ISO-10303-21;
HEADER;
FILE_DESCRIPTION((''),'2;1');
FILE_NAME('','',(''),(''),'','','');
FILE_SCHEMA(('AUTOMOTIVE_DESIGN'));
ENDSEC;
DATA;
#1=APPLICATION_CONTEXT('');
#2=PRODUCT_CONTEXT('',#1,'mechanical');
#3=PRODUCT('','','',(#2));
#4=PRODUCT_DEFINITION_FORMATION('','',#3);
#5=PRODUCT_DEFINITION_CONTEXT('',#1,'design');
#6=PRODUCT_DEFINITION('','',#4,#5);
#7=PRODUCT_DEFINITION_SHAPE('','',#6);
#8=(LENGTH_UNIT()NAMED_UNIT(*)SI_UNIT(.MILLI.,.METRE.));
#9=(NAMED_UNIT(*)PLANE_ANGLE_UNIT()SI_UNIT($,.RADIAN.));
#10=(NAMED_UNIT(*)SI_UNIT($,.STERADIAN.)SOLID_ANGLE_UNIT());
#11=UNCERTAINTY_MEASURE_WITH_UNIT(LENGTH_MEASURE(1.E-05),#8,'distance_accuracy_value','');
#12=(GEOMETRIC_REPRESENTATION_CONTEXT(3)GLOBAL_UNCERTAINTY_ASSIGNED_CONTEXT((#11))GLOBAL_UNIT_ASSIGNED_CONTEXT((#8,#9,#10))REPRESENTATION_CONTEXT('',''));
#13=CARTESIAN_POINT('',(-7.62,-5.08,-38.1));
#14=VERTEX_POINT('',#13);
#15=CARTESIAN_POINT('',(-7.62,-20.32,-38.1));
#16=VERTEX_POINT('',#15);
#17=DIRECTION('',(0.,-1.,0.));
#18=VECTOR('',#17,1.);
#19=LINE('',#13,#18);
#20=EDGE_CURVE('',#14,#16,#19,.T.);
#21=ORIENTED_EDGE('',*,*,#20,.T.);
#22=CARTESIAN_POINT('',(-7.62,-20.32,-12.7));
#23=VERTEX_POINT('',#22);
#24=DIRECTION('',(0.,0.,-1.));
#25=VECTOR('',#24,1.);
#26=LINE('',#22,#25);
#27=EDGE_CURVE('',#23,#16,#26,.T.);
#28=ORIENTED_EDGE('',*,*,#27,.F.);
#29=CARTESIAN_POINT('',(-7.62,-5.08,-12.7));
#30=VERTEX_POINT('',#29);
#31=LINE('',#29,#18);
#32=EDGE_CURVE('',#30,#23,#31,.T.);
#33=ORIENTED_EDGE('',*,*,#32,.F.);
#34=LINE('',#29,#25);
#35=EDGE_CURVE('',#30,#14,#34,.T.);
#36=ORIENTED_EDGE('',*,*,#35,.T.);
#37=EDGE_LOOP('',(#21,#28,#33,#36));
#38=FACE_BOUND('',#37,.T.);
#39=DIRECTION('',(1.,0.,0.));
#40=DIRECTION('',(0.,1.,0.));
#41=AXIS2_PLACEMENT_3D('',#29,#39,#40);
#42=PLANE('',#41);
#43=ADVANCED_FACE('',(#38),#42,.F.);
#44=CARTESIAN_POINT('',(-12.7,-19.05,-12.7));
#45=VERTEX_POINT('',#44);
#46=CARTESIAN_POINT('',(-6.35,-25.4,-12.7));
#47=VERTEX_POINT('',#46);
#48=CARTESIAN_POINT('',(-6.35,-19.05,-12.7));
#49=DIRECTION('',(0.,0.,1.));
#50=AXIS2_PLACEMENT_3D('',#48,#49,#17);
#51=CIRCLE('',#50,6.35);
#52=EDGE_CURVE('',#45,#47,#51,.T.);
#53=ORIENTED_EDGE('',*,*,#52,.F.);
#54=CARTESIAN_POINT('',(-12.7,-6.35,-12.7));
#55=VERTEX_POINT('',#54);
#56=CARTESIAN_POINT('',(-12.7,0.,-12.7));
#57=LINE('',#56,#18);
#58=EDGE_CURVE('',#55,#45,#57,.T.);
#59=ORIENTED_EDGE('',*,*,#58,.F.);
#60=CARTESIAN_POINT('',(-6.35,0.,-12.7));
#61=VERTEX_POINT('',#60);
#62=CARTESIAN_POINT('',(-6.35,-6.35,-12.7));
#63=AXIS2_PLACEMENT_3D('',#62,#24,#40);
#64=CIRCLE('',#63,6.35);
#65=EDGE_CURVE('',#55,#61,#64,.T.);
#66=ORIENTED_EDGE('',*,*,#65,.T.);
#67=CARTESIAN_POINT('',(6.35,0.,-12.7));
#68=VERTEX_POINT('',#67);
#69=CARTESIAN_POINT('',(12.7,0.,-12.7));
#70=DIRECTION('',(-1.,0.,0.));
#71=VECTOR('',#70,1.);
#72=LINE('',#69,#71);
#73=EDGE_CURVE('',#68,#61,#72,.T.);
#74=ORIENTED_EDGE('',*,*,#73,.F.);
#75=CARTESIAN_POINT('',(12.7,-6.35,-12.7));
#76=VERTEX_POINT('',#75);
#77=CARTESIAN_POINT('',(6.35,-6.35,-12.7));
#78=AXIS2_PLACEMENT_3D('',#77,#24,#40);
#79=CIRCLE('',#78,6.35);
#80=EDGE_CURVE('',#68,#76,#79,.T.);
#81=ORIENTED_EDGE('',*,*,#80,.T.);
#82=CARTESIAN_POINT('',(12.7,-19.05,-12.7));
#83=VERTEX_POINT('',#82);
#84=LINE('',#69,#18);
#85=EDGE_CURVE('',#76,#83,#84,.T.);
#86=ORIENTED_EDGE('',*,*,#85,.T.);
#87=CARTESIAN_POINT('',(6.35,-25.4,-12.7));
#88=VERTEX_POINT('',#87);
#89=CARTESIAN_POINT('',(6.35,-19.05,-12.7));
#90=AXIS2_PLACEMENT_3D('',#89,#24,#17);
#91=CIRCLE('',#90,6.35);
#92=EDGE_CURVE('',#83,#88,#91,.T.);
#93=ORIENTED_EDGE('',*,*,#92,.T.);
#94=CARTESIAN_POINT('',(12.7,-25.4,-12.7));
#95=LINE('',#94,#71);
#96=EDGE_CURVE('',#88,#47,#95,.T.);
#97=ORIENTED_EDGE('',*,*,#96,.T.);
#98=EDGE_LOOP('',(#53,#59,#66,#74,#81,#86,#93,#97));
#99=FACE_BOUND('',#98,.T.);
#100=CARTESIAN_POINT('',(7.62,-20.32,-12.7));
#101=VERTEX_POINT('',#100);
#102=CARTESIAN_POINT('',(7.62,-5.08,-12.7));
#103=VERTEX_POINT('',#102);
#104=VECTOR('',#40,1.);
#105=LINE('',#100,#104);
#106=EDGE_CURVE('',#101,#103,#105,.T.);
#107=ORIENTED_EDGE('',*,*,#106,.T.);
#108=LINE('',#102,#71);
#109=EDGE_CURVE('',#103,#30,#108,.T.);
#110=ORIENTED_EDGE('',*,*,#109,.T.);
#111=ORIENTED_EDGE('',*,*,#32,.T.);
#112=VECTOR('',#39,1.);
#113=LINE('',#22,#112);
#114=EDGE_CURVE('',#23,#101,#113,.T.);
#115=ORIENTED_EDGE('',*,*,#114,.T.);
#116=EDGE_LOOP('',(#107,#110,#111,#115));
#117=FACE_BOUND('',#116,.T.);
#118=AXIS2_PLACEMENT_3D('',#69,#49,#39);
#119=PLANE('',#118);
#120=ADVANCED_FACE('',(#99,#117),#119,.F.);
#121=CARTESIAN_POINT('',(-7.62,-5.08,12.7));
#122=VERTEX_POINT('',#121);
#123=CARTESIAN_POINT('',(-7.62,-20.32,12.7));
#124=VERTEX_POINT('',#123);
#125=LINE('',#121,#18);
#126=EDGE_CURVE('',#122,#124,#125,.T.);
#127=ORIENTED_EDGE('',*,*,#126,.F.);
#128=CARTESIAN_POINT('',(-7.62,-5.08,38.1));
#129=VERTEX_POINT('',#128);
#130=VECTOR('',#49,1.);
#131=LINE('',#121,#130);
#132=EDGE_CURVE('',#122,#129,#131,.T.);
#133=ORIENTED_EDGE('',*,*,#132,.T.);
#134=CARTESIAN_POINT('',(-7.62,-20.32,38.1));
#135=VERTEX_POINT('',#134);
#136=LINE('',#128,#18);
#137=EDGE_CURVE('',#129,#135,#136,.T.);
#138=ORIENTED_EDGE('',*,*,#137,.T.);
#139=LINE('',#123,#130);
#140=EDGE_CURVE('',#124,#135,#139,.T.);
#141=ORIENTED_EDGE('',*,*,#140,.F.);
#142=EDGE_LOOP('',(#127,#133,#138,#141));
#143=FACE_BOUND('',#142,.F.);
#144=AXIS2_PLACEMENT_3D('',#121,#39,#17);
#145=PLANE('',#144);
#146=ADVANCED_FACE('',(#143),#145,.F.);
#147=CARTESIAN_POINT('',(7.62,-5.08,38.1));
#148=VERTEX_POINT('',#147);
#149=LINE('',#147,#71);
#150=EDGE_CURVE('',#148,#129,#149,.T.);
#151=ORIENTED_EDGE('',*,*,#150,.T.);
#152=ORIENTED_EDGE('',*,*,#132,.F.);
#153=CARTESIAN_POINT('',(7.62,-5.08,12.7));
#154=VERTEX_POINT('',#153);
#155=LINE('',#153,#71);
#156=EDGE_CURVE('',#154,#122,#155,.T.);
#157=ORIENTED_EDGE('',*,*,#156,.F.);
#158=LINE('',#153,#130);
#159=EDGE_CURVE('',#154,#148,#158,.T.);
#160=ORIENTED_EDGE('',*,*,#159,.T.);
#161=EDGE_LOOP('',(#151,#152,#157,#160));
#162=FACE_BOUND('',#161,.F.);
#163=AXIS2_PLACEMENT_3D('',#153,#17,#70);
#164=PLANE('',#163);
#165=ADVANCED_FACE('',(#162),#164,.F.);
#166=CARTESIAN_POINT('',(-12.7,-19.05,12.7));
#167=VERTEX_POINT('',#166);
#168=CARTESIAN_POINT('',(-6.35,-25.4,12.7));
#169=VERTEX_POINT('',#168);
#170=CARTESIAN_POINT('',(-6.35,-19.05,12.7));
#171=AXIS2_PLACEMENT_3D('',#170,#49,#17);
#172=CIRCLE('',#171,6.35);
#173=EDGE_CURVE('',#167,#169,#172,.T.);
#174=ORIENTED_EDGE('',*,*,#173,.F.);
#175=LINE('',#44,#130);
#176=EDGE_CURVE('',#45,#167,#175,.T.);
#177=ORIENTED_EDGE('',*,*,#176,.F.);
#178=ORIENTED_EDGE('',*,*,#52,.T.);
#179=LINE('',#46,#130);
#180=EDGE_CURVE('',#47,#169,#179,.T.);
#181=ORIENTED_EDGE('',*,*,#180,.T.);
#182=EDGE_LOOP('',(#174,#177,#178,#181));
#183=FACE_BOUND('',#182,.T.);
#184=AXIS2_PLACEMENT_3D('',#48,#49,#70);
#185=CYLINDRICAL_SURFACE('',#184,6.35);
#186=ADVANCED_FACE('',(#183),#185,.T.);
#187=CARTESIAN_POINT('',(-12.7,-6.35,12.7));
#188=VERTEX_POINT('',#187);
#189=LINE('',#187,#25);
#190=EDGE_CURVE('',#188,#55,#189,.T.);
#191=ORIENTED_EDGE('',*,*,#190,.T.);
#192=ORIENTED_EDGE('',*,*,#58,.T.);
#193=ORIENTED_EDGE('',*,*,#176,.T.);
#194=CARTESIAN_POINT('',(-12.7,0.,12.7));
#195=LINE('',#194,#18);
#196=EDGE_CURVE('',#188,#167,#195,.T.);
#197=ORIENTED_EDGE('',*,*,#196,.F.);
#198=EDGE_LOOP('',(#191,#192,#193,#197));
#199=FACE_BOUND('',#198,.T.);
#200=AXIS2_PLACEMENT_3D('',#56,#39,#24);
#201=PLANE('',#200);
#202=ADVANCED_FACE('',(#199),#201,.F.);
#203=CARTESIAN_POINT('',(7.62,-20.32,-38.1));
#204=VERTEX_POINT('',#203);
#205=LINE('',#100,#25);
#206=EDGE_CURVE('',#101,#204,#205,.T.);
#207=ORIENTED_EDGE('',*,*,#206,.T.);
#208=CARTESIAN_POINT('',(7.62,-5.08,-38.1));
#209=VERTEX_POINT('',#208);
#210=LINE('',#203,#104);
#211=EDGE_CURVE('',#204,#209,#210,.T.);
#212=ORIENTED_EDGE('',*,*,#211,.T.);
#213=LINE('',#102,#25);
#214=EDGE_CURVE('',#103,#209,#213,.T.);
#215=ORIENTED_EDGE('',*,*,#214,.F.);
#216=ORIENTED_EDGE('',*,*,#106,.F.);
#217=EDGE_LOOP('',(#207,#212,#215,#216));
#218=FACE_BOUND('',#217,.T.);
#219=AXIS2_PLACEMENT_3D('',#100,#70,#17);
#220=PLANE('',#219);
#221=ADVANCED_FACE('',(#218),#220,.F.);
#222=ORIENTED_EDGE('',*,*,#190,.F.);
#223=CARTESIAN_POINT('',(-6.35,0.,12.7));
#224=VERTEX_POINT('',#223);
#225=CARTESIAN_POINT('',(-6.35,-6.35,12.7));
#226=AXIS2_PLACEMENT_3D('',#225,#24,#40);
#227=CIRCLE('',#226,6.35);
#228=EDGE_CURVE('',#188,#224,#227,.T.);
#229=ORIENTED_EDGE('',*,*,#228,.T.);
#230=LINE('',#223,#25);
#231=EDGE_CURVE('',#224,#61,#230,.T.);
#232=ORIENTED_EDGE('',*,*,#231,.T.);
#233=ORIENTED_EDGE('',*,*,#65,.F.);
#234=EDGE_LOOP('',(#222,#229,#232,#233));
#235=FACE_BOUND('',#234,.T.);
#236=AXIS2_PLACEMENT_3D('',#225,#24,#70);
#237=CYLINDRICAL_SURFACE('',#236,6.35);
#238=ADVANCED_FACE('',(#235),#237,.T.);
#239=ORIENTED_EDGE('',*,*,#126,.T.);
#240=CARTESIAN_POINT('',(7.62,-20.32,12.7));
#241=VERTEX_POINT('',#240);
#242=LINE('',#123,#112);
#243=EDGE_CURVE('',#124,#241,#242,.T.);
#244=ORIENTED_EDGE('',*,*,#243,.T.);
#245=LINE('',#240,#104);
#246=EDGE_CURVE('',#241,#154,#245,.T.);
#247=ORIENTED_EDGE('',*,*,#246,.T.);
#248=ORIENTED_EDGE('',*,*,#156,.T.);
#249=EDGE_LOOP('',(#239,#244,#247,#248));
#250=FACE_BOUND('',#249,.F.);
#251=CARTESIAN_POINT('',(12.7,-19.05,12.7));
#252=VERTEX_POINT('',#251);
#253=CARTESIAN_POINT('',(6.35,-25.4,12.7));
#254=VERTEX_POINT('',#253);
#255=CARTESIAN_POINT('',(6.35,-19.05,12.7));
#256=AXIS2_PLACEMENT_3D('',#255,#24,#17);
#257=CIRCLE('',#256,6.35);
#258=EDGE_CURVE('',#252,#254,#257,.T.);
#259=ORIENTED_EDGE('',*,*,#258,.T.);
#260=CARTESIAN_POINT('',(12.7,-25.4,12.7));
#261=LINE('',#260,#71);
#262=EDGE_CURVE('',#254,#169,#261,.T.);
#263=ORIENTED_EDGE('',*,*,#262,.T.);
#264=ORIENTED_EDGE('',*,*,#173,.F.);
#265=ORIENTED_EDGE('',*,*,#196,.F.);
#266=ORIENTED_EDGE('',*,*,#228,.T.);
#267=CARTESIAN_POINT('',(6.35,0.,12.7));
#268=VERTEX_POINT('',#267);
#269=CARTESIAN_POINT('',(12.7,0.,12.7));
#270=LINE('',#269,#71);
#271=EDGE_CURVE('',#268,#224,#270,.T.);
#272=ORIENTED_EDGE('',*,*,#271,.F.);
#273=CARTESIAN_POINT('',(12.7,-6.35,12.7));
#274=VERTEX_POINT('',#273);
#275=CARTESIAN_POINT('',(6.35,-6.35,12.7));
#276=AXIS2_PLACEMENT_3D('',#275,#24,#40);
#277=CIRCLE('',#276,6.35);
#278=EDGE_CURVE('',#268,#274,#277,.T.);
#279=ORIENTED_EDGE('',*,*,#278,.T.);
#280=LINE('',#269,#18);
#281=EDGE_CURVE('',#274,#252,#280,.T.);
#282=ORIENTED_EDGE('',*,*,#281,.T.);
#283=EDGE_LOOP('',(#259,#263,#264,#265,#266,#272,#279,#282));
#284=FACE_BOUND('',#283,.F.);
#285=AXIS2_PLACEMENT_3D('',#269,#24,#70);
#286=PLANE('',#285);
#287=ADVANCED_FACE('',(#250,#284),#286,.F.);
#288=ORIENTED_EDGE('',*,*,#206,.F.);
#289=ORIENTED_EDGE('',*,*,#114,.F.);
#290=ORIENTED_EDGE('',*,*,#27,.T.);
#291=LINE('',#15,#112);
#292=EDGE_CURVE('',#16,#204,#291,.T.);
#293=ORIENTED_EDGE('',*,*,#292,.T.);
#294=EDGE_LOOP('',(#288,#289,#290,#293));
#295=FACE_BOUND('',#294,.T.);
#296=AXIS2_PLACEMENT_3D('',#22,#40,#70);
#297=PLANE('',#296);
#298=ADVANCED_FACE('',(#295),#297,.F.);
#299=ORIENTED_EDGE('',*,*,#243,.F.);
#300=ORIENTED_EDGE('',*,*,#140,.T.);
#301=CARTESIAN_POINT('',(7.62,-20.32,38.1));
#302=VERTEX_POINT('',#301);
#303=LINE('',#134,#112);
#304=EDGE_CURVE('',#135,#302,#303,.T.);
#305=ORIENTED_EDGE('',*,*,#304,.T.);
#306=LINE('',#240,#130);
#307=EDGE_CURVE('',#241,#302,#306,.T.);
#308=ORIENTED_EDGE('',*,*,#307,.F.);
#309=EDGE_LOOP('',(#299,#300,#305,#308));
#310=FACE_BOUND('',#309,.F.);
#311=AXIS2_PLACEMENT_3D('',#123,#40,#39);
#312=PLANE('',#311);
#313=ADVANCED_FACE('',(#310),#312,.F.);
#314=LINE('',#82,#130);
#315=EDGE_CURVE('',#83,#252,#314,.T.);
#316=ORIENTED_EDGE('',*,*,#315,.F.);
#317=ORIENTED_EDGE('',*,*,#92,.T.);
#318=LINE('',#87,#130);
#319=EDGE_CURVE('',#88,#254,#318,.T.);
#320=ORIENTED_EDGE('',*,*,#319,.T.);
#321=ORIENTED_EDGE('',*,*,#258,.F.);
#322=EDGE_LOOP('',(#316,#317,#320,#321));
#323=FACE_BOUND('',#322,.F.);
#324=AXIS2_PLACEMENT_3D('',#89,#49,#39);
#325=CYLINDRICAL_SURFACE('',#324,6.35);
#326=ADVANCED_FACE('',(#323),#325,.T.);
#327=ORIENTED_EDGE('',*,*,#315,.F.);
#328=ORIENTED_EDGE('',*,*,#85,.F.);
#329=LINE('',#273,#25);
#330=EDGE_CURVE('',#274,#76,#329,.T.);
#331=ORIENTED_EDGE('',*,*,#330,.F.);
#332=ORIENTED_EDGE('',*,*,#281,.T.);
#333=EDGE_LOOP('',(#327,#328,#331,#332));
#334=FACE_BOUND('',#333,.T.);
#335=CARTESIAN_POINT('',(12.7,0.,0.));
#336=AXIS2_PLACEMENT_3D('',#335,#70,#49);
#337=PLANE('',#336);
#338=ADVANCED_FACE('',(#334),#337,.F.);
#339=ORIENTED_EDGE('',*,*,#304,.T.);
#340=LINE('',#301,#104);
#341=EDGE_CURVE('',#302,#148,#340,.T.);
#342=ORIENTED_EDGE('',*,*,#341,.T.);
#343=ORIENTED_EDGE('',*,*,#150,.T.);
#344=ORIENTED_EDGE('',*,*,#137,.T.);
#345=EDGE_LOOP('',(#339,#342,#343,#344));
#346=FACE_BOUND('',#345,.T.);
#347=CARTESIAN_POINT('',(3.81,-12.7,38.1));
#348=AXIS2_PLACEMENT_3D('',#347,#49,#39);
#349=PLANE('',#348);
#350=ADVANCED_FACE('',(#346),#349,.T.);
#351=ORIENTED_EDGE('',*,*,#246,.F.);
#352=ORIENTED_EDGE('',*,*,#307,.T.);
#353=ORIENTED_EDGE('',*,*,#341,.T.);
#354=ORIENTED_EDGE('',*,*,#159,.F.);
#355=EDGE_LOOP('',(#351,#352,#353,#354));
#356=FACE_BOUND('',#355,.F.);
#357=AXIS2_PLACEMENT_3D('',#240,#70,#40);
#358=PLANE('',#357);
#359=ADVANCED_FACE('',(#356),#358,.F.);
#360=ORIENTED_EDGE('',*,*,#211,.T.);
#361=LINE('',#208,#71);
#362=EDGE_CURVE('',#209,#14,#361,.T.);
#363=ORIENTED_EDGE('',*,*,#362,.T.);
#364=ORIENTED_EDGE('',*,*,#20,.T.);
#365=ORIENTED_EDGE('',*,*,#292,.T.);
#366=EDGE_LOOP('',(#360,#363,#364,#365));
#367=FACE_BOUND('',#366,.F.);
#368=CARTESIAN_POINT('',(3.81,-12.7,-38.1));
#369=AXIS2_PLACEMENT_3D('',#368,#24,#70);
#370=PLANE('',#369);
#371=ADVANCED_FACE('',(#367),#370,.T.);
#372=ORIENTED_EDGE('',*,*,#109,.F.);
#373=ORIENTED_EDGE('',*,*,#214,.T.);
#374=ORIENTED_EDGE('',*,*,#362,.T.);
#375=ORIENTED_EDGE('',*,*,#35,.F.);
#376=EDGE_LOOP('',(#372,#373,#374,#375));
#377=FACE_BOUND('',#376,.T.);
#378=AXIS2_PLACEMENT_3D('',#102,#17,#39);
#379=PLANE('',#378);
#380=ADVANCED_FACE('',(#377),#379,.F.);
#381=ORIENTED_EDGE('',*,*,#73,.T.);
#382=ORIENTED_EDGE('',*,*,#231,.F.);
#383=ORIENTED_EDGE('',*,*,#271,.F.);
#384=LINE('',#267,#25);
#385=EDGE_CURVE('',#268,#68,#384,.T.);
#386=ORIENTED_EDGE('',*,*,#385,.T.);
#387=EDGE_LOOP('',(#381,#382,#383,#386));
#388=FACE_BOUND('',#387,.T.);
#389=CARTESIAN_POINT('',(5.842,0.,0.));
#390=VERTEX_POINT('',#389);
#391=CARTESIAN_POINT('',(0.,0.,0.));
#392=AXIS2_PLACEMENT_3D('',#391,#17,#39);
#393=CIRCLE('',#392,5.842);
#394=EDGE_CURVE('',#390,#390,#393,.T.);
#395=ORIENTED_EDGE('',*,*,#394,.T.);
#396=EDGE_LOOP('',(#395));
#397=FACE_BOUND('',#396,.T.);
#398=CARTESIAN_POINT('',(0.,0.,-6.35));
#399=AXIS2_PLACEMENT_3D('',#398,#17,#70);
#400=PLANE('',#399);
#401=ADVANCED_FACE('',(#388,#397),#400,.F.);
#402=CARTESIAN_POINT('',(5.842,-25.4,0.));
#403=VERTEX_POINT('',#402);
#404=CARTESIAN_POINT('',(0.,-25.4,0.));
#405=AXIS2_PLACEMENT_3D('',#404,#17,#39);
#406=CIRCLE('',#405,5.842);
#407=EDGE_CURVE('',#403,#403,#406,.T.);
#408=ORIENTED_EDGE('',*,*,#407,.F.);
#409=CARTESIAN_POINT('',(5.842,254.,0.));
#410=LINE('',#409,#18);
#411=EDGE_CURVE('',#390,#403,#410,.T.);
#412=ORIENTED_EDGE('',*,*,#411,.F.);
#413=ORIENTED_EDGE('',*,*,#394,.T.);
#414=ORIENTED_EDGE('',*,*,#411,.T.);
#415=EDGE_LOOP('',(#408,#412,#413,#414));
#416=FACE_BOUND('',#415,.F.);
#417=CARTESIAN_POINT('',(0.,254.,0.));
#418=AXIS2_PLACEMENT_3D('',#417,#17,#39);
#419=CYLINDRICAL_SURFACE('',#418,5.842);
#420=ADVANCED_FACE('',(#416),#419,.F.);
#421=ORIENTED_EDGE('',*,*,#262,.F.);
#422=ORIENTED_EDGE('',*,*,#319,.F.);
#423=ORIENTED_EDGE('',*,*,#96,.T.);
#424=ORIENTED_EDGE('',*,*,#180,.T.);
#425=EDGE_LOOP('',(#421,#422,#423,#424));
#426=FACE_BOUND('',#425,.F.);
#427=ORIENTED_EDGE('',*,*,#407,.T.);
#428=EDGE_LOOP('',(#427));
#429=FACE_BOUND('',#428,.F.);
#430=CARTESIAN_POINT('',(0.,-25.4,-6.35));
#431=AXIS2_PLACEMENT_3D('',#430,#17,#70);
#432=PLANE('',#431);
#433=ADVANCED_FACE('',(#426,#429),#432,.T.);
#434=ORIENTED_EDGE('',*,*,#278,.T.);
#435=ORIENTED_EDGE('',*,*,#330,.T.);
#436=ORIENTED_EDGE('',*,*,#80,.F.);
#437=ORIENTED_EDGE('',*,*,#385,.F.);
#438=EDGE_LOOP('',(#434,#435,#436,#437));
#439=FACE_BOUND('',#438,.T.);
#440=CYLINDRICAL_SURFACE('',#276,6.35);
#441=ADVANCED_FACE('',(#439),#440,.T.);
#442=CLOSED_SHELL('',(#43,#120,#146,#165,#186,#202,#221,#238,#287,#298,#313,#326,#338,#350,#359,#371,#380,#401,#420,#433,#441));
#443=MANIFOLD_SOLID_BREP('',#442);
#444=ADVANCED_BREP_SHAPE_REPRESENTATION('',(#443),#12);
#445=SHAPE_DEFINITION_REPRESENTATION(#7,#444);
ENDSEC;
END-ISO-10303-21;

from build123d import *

# Parameters (mm, degrees)
F1_DEPTH = 25.4
F3_DEPTH = 25.4
F5_R     = 6.35
F7_D     = 11.684
F7_DEPTH = 254


with BuildPart() as f1:
    # F0 (on Front) → F1 (new body)
    with BuildSketch(Plane.XZ):
        Polygon((-12.7, 0), (0, 0), (12.7, 0), (12.7, 12.7), (0, 12.7), (-12.7, 12.7), align=None)
    extrude(amount=F1_DEPTH)

    # F2 (on face) → F3 (join)
    with BuildSketch(Plane.XY.offset(12.7)):
        Polygon((7.62, -5.08), (0, -5.08), (0, -12.7), (0, -20.32), (7.62, -20.32), align=None)
        Polygon((0, -12.7), (0, -5.08), (-7.62, -5.08), (-7.62, -20.32), (0, -20.32), align=None)
    extrude(amount=F3_DEPTH)

    # F4: F1 across plane


with BuildPart() as f1_1:
    add(f1.part)
    add(f1.part.mirror(Plane.XY))

    # F5
    f5_edges = [f1_1.edges().sort_by_distance(p)[0] for p in [
        (12.7, 0, 0),
        (12.7, -25.4, 0),
        (-12.7, 0, 0),
        (-12.7, -25.4, 0),
    ]]
    fillet(f5_edges, radius=F5_R)

    # F7
    with Locations(Plane(origin=(0, 0, 0), x_dir=(-1, 0, 0), z_dir=(0, 1, 0))):
        with Locations((0, 0)):
            Hole(F7_D / 2, depth=F7_DEPTH)


solid = f1_1.part
